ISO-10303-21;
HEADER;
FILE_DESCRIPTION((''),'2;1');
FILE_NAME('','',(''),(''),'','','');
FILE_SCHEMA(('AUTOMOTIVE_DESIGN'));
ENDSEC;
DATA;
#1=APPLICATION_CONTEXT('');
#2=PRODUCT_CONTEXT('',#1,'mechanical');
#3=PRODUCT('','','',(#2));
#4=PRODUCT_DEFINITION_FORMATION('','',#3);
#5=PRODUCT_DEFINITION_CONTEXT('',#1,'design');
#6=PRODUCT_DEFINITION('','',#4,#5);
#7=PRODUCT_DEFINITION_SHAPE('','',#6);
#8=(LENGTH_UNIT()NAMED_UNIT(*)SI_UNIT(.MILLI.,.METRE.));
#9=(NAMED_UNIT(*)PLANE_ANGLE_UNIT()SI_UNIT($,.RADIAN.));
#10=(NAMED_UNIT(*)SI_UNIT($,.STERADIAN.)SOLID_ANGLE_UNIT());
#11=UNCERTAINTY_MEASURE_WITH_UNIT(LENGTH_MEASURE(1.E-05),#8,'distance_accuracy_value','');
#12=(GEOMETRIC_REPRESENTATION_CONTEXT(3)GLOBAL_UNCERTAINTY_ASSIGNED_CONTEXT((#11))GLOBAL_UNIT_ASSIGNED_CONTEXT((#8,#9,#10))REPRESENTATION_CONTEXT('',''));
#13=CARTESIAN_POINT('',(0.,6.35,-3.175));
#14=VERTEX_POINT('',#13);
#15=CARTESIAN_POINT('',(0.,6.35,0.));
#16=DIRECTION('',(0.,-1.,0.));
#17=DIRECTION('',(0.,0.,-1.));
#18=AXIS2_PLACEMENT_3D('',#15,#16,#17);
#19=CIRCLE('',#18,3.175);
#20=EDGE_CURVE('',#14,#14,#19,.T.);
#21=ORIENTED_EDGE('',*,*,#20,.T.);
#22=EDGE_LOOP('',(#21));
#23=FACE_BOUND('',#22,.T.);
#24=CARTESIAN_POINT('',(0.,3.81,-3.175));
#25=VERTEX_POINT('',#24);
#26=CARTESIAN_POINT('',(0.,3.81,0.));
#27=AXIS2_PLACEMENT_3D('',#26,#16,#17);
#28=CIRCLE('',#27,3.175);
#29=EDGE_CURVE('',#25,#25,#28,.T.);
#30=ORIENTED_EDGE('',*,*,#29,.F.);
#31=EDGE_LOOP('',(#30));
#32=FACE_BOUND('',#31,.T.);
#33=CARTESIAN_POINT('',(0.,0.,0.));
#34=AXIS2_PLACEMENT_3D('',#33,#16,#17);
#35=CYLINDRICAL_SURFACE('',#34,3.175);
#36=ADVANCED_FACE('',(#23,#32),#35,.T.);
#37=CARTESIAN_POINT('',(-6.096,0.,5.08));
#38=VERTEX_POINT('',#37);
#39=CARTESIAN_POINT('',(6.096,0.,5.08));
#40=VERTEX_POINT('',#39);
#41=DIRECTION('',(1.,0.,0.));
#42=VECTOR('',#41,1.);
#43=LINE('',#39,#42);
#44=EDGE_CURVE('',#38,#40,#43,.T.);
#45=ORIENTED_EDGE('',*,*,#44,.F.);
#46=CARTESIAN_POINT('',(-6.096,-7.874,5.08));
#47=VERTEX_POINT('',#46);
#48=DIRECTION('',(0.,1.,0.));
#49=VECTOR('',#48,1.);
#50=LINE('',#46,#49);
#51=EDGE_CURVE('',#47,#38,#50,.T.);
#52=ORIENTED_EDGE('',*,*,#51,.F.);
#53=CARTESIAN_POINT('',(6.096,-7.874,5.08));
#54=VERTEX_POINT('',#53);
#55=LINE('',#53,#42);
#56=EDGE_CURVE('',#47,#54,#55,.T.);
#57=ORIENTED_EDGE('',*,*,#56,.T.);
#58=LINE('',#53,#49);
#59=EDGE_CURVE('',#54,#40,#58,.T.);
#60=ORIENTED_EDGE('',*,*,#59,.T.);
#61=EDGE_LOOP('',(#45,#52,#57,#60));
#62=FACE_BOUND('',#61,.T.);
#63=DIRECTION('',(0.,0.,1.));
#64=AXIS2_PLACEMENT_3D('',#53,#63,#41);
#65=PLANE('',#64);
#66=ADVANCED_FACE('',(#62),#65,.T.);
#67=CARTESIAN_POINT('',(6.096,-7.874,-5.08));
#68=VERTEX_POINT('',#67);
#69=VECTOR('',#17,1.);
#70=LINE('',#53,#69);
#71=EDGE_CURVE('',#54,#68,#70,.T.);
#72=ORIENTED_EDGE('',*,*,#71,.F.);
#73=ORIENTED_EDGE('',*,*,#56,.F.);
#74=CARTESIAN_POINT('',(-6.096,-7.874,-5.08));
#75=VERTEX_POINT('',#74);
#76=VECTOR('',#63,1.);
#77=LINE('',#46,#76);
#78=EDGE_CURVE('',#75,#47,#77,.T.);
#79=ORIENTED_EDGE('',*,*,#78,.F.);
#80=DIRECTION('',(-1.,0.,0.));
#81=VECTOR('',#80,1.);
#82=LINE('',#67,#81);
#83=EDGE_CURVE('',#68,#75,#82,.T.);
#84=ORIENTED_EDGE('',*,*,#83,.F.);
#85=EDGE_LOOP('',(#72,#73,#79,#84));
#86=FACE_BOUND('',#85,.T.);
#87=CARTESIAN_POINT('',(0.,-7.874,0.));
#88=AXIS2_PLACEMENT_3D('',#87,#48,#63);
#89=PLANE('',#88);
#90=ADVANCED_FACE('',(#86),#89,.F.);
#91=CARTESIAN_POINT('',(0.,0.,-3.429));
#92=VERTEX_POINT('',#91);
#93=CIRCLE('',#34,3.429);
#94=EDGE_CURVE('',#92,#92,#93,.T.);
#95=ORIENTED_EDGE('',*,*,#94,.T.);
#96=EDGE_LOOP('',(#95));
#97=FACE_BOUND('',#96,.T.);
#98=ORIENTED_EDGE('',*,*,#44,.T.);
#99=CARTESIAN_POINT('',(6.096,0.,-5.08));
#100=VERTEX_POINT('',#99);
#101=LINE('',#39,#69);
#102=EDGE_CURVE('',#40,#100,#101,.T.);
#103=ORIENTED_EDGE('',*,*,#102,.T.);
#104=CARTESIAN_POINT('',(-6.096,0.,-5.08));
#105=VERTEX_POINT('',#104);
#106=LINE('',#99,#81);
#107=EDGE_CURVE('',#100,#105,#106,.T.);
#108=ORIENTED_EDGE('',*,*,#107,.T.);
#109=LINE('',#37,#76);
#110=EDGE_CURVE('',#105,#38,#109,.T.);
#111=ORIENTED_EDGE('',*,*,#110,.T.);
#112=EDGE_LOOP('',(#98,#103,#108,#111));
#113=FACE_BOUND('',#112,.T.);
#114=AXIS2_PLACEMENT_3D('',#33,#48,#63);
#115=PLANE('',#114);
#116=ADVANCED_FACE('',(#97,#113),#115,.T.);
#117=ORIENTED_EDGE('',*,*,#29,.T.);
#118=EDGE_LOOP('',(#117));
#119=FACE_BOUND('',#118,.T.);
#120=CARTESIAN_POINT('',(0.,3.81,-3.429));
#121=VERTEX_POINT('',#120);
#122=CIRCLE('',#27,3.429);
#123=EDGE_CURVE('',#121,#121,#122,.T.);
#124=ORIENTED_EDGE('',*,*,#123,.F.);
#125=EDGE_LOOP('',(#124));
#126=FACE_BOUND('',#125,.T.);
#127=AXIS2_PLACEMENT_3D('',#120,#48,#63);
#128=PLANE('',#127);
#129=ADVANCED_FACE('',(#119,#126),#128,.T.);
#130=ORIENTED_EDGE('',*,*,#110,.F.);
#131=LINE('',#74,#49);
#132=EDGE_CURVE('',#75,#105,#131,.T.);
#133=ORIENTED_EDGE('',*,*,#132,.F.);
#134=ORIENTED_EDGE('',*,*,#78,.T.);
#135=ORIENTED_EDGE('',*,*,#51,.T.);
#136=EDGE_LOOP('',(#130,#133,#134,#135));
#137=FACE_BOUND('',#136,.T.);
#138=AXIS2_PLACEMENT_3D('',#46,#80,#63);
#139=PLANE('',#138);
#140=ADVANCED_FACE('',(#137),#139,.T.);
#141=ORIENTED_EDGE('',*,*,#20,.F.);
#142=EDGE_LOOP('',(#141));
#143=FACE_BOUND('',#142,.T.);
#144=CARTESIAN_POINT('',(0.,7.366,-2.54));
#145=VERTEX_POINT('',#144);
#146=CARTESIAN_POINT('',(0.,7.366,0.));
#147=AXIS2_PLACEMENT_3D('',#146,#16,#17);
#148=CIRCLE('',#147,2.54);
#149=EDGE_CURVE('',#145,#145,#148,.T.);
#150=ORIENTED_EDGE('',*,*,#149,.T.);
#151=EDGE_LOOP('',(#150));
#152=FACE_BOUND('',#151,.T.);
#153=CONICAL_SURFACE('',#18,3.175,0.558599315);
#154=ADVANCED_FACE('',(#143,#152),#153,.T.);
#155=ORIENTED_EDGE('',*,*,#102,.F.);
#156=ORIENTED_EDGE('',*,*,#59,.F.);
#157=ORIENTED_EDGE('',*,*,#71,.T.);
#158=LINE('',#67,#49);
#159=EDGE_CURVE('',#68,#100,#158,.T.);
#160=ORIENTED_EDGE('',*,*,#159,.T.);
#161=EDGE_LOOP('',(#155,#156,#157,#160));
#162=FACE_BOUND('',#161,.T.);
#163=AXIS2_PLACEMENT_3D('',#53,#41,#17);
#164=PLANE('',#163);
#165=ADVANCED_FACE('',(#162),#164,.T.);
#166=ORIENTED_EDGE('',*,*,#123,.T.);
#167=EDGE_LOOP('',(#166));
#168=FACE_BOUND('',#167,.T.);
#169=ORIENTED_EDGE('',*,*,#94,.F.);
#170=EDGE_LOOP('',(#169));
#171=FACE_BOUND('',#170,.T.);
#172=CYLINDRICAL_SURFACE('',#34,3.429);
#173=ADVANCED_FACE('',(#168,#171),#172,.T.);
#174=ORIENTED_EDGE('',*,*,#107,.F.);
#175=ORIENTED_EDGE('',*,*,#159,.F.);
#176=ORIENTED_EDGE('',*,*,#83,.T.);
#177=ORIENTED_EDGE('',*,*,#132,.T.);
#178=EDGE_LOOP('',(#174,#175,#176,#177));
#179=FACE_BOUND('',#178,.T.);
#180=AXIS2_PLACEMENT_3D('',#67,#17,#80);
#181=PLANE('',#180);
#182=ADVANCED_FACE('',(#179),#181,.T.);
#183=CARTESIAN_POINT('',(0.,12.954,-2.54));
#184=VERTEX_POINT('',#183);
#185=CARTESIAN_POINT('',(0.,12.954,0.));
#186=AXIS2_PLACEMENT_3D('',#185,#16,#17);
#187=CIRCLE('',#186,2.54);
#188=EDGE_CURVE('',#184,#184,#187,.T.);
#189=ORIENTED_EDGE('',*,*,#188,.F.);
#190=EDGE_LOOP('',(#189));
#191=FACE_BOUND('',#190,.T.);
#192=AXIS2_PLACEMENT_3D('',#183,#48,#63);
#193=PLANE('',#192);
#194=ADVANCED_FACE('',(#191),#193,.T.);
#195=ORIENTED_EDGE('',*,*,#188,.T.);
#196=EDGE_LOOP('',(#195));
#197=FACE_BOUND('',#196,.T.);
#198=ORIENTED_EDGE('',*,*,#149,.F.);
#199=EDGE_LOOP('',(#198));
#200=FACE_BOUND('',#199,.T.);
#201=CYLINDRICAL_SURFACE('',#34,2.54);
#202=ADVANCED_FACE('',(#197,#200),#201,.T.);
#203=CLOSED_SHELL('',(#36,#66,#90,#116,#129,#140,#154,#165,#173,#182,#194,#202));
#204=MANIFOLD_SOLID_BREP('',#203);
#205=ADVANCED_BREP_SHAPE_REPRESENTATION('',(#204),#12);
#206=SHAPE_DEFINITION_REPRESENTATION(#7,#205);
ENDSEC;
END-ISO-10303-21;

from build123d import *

# Parameters (mm, degrees)
SKETCH1_W           = 12.192
SKETCH1_H           = 10.16
BOSS_EXTRUDE1_DEPTH = 7.874


with BuildPart() as part:
    # Sketch1 → Boss-Extrude1 (new body)
    with BuildSketch(Plane(origin=(0, 0, 0), x_dir=(1, 0, 0), z_dir=(0, 1, 0))):
        Rectangle(SKETCH1_W, SKETCH1_H)
    extrude(amount=-BOSS_EXTRUDE1_DEPTH)

    # Sketch2 → Revolve1 (revolve)
    with BuildSketch(Plane(origin=(0, 0, 0), x_dir=(0, 0, -1), z_dir=(1, 0, 0))):
        Polygon((0, 0), (3.429, 0), (3.429, 3.81), (3.175, 3.81), (3.175, 6.35), (2.54, 7.366), (2.54, 12.954), (0, 12.954), align=None)
    revolve(axis=Axis((0, 0, 0), (0, 1, 0)))


solid = part.part
